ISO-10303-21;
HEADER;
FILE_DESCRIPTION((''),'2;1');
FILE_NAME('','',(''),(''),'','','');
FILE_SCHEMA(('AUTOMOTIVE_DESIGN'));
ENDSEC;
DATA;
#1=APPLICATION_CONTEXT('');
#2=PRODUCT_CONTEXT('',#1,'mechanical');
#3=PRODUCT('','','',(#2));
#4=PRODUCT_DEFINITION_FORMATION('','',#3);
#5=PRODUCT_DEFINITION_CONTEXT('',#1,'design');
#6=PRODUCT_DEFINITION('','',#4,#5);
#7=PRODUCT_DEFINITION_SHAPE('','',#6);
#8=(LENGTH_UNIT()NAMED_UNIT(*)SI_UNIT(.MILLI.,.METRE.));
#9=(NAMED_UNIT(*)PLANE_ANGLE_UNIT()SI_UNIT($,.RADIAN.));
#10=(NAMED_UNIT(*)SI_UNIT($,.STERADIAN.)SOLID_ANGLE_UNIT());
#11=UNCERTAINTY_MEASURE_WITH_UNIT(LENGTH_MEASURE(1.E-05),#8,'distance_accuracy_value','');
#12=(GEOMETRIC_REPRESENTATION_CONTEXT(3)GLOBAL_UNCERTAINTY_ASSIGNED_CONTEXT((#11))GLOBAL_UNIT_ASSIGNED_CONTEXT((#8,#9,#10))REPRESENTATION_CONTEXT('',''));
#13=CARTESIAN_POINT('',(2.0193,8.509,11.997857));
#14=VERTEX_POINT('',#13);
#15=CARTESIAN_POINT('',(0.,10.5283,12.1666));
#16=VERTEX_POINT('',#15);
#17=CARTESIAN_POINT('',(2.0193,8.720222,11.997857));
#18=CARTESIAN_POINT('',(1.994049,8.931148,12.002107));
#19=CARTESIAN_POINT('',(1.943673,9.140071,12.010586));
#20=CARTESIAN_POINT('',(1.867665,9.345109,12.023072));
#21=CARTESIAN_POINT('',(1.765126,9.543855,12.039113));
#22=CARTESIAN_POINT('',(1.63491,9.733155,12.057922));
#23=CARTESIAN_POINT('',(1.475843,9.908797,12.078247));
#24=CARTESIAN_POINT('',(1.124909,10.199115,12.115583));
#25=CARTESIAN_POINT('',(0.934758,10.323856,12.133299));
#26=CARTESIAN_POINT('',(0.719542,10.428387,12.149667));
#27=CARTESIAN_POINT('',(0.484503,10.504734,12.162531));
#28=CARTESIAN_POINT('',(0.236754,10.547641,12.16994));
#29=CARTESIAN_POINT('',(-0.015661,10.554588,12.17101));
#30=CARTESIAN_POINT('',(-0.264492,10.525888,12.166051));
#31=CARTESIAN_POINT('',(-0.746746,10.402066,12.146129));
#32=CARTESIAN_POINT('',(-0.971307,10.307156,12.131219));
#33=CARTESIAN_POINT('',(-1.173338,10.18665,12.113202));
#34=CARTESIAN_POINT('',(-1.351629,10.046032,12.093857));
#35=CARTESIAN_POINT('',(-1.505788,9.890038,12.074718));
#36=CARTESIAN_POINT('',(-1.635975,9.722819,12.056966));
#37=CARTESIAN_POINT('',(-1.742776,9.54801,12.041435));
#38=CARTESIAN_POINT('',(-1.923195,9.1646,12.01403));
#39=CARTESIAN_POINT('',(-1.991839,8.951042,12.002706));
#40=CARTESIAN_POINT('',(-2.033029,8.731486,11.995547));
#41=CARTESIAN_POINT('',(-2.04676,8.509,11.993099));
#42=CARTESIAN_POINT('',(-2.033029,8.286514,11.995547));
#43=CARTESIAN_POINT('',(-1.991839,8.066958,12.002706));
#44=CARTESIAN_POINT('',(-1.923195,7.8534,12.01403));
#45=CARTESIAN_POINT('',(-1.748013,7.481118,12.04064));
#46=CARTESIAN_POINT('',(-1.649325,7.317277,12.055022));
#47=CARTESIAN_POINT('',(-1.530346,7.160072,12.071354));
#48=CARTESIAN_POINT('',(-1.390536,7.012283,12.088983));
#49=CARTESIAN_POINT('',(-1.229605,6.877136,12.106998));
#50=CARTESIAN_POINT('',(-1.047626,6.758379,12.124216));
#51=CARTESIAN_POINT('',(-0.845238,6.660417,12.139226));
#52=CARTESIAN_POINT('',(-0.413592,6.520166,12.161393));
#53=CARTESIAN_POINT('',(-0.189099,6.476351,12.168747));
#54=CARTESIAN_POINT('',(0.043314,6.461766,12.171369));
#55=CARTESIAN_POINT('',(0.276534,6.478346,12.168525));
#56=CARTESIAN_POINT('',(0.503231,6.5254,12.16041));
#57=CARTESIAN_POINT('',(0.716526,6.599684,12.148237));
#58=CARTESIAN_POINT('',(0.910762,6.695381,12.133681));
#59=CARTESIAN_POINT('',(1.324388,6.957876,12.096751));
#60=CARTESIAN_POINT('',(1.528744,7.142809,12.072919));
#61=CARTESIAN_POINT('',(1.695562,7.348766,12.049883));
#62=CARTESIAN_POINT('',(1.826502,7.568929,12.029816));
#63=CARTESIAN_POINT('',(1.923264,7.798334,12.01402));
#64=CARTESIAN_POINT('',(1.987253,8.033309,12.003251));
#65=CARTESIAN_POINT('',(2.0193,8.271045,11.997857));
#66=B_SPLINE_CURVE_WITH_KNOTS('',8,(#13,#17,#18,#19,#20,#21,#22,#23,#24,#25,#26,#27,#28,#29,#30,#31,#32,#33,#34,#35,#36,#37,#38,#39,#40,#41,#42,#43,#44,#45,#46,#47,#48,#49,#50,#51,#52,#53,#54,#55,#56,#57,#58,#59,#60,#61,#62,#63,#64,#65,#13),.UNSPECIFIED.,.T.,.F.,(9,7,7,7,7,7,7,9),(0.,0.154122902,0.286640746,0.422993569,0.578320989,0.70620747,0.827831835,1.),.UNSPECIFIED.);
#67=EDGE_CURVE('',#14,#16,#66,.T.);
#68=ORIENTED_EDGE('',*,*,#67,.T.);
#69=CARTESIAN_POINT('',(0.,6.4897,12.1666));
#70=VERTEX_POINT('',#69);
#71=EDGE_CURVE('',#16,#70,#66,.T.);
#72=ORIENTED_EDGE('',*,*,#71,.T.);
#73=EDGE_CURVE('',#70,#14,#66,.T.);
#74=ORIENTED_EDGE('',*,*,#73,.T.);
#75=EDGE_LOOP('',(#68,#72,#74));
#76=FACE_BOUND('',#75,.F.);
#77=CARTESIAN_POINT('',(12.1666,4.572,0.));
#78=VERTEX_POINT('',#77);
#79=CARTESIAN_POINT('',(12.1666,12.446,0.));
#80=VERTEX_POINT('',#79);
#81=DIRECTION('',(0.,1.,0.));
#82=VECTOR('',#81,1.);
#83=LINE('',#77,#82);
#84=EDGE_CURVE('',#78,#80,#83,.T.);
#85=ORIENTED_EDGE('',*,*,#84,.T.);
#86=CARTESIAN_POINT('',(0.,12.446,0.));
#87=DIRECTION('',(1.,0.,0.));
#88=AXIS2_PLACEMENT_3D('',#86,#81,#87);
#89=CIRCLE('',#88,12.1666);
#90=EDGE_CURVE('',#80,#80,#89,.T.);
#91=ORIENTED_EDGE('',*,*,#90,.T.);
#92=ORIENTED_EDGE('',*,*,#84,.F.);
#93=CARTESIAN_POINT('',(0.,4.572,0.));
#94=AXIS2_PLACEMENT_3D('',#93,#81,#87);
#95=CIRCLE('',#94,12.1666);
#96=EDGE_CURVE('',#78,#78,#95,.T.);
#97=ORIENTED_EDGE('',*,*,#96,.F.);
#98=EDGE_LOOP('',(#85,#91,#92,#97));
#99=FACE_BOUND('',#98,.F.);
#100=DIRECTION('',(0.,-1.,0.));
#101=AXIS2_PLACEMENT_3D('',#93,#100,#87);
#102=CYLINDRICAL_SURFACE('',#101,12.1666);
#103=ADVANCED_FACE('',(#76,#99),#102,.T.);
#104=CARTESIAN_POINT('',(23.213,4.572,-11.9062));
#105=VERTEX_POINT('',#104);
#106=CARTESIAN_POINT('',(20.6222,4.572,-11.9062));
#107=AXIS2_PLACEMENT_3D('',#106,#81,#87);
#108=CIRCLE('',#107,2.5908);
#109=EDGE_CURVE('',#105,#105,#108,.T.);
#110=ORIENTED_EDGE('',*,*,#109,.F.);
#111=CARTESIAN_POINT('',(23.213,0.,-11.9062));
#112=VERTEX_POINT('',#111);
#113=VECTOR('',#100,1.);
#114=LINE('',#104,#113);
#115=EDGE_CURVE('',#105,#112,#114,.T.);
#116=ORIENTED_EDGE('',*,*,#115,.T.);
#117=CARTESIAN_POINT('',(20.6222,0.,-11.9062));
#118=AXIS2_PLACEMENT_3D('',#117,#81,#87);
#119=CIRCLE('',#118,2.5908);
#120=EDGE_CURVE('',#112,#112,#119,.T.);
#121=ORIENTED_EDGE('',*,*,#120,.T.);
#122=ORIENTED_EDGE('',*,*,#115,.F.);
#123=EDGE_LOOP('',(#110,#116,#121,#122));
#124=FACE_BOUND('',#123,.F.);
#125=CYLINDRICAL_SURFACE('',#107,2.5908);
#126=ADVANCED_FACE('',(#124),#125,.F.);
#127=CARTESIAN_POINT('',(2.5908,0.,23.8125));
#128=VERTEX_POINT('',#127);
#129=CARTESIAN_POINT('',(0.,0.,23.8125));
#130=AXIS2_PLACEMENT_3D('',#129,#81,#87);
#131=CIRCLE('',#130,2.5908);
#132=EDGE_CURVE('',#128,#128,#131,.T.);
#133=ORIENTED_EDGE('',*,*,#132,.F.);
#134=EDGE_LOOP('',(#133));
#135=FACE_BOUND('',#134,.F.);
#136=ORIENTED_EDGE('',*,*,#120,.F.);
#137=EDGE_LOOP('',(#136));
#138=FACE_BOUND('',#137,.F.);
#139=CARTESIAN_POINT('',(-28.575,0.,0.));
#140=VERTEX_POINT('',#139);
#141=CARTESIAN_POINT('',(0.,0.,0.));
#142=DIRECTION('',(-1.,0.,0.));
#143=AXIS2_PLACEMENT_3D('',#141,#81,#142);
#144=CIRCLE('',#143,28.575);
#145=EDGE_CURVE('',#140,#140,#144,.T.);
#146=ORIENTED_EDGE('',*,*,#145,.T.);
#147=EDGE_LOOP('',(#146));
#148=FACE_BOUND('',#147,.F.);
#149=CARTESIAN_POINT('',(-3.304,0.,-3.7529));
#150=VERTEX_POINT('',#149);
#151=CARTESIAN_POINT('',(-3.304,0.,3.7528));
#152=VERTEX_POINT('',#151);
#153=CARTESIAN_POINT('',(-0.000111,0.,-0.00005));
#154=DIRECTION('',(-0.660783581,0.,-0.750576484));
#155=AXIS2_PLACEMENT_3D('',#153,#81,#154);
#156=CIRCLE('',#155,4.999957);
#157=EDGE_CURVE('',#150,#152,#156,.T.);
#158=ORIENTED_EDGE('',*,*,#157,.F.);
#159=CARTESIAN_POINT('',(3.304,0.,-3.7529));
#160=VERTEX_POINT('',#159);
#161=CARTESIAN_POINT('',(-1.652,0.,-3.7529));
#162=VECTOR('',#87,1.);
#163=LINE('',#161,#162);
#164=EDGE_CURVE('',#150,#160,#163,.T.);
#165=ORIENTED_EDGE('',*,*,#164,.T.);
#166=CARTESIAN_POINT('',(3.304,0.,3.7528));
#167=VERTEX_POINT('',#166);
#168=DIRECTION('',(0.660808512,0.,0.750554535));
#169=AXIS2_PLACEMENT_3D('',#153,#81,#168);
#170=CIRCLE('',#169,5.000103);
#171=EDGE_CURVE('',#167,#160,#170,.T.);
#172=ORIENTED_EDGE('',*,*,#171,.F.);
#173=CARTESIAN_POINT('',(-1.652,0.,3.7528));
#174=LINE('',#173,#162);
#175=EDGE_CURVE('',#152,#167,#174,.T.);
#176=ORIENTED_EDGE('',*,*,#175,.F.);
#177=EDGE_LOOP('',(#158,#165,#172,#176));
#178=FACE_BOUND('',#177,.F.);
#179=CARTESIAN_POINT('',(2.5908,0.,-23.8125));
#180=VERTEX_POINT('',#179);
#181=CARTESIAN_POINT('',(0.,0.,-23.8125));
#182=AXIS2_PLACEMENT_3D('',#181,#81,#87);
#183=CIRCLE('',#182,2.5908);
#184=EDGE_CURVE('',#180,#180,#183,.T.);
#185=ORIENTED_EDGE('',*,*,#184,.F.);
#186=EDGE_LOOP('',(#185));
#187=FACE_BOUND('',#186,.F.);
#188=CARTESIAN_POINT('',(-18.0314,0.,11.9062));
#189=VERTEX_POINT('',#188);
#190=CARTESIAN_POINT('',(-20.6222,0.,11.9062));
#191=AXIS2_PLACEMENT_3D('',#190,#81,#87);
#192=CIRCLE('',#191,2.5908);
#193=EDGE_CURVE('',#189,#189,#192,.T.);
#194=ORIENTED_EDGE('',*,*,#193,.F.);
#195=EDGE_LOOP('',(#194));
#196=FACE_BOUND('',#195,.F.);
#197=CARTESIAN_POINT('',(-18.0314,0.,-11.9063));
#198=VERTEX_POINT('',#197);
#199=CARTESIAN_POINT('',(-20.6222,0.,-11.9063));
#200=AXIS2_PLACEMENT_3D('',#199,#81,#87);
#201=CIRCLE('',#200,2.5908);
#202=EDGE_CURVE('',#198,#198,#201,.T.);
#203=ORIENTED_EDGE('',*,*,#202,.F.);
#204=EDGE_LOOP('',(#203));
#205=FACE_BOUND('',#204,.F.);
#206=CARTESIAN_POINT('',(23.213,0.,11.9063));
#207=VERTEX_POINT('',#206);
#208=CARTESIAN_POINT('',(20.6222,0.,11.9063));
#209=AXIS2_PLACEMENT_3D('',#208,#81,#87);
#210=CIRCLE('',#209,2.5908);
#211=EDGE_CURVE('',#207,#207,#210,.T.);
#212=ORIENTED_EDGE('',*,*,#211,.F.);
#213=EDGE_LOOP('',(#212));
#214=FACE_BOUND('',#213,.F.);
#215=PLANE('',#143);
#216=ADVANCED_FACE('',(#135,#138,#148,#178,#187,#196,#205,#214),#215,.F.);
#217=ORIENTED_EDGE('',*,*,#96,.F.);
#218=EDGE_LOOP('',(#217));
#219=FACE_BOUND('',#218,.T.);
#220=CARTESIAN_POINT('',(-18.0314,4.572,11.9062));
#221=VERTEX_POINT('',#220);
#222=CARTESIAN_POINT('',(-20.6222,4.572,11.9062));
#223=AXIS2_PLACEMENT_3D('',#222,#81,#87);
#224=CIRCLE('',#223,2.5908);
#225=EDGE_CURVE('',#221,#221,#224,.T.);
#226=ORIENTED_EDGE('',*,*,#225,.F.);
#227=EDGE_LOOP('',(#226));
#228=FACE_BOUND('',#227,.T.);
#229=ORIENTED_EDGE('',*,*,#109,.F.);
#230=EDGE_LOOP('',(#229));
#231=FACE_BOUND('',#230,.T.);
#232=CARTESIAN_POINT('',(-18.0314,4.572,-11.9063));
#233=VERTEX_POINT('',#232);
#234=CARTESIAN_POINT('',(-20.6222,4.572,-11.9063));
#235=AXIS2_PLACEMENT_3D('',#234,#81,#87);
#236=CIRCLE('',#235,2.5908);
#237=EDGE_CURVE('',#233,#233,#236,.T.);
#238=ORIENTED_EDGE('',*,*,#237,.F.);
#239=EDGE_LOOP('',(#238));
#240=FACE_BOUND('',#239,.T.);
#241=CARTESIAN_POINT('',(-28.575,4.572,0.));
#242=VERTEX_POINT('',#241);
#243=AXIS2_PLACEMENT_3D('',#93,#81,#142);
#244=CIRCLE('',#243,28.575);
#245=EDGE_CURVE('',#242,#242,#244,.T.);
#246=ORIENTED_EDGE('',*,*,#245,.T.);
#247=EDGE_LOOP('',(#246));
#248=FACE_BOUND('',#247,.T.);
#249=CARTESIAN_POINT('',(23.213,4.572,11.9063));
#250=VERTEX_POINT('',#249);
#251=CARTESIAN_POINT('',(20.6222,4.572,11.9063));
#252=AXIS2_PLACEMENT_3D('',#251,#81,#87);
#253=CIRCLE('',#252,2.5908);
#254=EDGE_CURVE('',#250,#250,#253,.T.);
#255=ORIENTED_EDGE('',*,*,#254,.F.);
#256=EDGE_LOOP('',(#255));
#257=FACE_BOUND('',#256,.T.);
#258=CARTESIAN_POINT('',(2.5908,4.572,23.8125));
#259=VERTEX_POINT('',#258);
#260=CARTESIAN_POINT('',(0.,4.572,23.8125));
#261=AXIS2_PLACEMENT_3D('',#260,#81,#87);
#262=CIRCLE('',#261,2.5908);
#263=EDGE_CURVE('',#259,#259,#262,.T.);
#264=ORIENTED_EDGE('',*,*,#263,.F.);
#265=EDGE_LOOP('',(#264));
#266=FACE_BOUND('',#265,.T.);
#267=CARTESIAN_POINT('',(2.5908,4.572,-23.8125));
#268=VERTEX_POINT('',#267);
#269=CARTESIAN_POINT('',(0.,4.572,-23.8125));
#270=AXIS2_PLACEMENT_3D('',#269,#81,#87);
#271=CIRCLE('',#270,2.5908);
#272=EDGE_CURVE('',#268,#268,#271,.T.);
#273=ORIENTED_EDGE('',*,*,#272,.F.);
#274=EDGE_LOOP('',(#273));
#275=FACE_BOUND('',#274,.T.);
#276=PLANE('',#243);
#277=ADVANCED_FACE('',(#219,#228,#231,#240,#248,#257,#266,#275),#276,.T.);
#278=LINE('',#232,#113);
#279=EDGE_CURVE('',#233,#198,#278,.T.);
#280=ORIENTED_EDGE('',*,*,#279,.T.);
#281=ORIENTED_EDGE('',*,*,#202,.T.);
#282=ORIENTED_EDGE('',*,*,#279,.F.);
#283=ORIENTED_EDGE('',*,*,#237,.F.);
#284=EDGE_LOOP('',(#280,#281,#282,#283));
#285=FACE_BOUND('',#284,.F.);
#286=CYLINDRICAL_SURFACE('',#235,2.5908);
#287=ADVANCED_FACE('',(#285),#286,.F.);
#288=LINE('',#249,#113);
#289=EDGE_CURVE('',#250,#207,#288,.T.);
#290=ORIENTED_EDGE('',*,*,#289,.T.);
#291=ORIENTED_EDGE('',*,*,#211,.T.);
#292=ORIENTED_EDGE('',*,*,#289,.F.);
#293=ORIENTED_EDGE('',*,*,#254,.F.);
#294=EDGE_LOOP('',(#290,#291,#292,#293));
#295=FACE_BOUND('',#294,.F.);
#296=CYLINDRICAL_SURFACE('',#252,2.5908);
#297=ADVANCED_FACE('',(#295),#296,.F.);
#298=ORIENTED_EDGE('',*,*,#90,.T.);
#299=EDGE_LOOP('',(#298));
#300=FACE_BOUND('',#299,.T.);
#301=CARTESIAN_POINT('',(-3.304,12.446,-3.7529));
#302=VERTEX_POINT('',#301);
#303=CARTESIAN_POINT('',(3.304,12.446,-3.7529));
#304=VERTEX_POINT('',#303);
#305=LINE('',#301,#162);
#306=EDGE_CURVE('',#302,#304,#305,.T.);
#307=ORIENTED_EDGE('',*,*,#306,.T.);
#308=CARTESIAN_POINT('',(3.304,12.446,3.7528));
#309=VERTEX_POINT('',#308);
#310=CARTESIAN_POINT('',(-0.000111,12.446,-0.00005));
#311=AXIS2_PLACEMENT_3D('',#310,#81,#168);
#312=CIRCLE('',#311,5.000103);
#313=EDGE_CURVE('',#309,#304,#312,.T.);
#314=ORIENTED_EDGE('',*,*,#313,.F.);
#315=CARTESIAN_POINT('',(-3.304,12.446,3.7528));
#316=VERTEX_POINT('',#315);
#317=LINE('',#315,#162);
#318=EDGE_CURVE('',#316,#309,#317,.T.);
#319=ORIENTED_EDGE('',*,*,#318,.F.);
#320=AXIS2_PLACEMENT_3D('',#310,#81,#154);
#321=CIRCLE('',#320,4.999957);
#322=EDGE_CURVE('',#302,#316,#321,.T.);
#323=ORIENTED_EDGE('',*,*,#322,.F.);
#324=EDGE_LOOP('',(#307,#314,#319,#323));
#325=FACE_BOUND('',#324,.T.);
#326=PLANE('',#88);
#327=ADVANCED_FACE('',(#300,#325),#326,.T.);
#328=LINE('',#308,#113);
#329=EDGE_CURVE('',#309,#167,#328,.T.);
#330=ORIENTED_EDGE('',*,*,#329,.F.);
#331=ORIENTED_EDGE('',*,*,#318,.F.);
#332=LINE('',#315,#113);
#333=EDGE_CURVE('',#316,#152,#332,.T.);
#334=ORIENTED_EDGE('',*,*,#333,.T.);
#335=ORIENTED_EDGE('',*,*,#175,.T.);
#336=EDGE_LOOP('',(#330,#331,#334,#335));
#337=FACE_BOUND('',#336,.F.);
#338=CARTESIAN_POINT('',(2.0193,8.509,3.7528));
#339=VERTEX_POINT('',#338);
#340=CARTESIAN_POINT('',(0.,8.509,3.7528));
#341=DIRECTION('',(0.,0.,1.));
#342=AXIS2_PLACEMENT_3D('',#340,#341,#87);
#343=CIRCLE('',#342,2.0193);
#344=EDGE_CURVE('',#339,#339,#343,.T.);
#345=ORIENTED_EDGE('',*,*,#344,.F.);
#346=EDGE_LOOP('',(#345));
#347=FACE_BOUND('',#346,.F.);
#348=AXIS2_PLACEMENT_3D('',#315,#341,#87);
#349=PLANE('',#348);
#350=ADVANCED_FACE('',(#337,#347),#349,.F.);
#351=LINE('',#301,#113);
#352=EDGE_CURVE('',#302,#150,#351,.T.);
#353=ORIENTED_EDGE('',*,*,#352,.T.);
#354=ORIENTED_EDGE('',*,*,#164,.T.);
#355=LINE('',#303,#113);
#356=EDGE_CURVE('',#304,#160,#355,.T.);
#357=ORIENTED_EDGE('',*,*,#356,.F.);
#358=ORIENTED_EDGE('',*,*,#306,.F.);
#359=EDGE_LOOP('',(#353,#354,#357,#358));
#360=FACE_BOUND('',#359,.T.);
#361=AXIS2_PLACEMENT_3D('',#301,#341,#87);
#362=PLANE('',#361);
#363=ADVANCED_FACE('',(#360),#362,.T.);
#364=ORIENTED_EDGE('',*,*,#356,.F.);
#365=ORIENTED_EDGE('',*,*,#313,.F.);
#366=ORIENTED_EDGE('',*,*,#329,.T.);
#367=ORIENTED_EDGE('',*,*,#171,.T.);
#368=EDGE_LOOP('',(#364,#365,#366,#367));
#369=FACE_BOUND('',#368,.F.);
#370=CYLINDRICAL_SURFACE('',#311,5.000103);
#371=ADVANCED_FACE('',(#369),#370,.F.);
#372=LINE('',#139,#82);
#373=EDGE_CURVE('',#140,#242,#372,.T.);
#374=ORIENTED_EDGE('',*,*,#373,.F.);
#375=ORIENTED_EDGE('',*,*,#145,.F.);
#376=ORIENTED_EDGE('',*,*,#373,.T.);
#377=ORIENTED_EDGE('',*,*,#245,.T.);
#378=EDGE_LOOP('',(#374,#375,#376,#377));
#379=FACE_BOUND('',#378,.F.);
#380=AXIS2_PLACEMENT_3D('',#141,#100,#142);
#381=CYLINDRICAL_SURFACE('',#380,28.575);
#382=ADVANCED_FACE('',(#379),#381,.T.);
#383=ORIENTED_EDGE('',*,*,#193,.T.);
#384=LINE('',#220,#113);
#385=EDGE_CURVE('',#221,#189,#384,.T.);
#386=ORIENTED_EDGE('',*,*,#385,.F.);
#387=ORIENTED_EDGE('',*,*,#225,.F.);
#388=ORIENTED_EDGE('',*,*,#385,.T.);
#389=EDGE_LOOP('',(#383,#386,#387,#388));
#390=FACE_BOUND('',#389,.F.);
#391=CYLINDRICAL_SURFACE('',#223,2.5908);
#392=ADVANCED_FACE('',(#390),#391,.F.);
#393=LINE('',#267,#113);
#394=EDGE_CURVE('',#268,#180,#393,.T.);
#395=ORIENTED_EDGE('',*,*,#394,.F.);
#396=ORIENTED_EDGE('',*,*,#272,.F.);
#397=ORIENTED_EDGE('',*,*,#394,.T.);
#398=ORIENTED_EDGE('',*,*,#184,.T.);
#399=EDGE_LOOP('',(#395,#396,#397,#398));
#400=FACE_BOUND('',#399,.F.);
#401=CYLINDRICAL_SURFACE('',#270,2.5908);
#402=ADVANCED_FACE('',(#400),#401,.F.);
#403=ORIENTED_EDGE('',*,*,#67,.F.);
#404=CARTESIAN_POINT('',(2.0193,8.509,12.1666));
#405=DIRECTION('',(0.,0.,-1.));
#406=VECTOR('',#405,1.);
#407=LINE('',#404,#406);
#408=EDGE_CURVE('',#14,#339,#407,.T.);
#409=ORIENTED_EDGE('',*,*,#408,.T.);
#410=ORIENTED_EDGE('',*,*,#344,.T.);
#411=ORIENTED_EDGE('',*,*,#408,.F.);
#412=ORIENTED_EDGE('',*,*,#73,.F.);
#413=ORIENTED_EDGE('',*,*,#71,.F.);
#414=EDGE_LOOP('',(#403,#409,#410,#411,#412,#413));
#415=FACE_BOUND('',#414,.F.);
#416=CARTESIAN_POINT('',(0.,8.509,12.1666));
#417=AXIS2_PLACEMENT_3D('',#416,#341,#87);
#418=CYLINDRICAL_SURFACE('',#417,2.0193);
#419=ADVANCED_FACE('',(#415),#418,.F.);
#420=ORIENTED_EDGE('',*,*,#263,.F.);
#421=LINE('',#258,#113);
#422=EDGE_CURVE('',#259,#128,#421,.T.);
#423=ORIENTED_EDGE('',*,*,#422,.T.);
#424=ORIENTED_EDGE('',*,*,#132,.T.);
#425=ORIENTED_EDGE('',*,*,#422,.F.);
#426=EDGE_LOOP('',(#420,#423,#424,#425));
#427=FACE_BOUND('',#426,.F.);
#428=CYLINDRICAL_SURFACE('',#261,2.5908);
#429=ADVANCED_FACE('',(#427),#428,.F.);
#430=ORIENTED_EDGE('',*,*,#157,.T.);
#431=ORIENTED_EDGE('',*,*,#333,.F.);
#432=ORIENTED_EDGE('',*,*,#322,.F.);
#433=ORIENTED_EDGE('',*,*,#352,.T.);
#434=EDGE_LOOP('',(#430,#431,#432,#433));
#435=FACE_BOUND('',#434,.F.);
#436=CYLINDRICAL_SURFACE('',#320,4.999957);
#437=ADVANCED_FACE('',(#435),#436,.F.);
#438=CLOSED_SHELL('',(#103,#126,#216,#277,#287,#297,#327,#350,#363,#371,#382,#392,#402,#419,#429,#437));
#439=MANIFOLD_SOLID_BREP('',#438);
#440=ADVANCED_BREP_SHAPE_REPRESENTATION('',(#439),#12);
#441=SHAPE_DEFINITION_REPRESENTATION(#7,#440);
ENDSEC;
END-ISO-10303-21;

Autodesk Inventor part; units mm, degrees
ref_plane "YZ Plane" through (0, 0, 0) normal (1, 0, 0) x (0, 1, 0)
ref_plane "XZ Plane" through (0, 0, 0) normal (0, 1, 0) x (-1, 0, 0)
ref_plane "XY Plane" through (0, 0, 0) normal (0, 0, 1) x (1, 0, 0)
sketch "Sketch1" plane through (0, 0, 0) normal (0, 1, 0) x (-1, 0, 0)
  circle A0 centre (0, 0) radius 28.575
  dimension "d0" = 57.15
extrude "Extrusion1" add sketch "Sketch1" along normal blind 4.572
sketch "Sketch2" plane through (0, 4.572, 0) normal (0, 1, 0) x (1, 0, 0)
  circle A0 centre (0, 0) radius 28.575 projected
  circle A1 centre (0, 0) radius 12.1666
  dimension "d3" = 24.3332
extrude "Extrusion2" add sketch "Sketch2" along normal blind 7.874 contours A1
sketch "Sketch3" plane through (0, 4.572, 0) normal (0, 1, 0) x (1, 0, 0)
  circle A0 centre (0, 0) radius 28.575 projected
  circle A1 centre (0, 0) radius 23.8125 construction
  circle A2 centre (0, 23.8125) radius 2.5908
  line L0 (0, 0) -> (0, 23.8125) construction
  circle A3 centre (-20.6222, 11.9063) radius 2.5908
  circle A4 centre (-20.6222, -11.9062) radius 2.5908
  circle A5 centre (0, -23.8125) radius 2.5908
  circle A6 centre (20.6222, -11.9063) radius 2.5908
  circle A7 centre (20.6222, 11.9062) radius 2.5908
  dimension "d6" = 47.625
  dimension "d7" = 5.1816
  dimension "d10" = 360
extrude "Extrusion3" cut sketch "Sketch3" against normal blind 7.874 contours A2 | A3 | A4 | A5 | A6 | A7
sketch "Sketch4" plane through (0, 12.446, 0) normal (0, 1, 0) x (1, 0, 0)
  circle A0 centre (0, 0) radius 12.1666 projected
  line L0 (-3.304, 3.7529) -> (3.304, 3.7529)
  line L1 (-3.304, -3.7528) -> (3.304, -3.7528)
  line L2 (3.304, 3.7529) -> (3.304, -3.7528) construction
  line L3 (-3.304, 3.7529) -> (-3.304, -3.7528) construction
  arc A1 (-3.304, 3.7529) -> (-3.304, -3.7528) centre (0, 0) ccw
  arc A2 (3.304, -3.7528) -> (3.304, 3.7529) centre (0, 0) ccw
  dimension "d15" = 7.5057
  dimension "d16" = 5
  dimension "d17" = 5
extrude "Extrusion4" cut sketch "Sketch4" against normal blind 14.986 contours L0 A2 L1 A1
ref_plane "Work Plane1" through (0, 4.572, 12.1666) normal (0, 0, 1) x (1, 0, 0)
sketch "Sketch5" plane through (0, 4.572, 12.1666) normal (0, 0, 1) x (1, 0, 0)
  circle A0 centre (0, 3.937) radius 2.0193
  line L0 (0, -4.572) -> (0, 3.937) construction
  line L1 (-28.575, -4.572) -> (28.575, -4.572) construction
  dimension "d20" = 8.509
  dimension "d21" = 4.0386
extrude "Extrusion5" cut sketch "Sketch5" against normal blind 12.3698
properties part number "Snowblower Hub"
